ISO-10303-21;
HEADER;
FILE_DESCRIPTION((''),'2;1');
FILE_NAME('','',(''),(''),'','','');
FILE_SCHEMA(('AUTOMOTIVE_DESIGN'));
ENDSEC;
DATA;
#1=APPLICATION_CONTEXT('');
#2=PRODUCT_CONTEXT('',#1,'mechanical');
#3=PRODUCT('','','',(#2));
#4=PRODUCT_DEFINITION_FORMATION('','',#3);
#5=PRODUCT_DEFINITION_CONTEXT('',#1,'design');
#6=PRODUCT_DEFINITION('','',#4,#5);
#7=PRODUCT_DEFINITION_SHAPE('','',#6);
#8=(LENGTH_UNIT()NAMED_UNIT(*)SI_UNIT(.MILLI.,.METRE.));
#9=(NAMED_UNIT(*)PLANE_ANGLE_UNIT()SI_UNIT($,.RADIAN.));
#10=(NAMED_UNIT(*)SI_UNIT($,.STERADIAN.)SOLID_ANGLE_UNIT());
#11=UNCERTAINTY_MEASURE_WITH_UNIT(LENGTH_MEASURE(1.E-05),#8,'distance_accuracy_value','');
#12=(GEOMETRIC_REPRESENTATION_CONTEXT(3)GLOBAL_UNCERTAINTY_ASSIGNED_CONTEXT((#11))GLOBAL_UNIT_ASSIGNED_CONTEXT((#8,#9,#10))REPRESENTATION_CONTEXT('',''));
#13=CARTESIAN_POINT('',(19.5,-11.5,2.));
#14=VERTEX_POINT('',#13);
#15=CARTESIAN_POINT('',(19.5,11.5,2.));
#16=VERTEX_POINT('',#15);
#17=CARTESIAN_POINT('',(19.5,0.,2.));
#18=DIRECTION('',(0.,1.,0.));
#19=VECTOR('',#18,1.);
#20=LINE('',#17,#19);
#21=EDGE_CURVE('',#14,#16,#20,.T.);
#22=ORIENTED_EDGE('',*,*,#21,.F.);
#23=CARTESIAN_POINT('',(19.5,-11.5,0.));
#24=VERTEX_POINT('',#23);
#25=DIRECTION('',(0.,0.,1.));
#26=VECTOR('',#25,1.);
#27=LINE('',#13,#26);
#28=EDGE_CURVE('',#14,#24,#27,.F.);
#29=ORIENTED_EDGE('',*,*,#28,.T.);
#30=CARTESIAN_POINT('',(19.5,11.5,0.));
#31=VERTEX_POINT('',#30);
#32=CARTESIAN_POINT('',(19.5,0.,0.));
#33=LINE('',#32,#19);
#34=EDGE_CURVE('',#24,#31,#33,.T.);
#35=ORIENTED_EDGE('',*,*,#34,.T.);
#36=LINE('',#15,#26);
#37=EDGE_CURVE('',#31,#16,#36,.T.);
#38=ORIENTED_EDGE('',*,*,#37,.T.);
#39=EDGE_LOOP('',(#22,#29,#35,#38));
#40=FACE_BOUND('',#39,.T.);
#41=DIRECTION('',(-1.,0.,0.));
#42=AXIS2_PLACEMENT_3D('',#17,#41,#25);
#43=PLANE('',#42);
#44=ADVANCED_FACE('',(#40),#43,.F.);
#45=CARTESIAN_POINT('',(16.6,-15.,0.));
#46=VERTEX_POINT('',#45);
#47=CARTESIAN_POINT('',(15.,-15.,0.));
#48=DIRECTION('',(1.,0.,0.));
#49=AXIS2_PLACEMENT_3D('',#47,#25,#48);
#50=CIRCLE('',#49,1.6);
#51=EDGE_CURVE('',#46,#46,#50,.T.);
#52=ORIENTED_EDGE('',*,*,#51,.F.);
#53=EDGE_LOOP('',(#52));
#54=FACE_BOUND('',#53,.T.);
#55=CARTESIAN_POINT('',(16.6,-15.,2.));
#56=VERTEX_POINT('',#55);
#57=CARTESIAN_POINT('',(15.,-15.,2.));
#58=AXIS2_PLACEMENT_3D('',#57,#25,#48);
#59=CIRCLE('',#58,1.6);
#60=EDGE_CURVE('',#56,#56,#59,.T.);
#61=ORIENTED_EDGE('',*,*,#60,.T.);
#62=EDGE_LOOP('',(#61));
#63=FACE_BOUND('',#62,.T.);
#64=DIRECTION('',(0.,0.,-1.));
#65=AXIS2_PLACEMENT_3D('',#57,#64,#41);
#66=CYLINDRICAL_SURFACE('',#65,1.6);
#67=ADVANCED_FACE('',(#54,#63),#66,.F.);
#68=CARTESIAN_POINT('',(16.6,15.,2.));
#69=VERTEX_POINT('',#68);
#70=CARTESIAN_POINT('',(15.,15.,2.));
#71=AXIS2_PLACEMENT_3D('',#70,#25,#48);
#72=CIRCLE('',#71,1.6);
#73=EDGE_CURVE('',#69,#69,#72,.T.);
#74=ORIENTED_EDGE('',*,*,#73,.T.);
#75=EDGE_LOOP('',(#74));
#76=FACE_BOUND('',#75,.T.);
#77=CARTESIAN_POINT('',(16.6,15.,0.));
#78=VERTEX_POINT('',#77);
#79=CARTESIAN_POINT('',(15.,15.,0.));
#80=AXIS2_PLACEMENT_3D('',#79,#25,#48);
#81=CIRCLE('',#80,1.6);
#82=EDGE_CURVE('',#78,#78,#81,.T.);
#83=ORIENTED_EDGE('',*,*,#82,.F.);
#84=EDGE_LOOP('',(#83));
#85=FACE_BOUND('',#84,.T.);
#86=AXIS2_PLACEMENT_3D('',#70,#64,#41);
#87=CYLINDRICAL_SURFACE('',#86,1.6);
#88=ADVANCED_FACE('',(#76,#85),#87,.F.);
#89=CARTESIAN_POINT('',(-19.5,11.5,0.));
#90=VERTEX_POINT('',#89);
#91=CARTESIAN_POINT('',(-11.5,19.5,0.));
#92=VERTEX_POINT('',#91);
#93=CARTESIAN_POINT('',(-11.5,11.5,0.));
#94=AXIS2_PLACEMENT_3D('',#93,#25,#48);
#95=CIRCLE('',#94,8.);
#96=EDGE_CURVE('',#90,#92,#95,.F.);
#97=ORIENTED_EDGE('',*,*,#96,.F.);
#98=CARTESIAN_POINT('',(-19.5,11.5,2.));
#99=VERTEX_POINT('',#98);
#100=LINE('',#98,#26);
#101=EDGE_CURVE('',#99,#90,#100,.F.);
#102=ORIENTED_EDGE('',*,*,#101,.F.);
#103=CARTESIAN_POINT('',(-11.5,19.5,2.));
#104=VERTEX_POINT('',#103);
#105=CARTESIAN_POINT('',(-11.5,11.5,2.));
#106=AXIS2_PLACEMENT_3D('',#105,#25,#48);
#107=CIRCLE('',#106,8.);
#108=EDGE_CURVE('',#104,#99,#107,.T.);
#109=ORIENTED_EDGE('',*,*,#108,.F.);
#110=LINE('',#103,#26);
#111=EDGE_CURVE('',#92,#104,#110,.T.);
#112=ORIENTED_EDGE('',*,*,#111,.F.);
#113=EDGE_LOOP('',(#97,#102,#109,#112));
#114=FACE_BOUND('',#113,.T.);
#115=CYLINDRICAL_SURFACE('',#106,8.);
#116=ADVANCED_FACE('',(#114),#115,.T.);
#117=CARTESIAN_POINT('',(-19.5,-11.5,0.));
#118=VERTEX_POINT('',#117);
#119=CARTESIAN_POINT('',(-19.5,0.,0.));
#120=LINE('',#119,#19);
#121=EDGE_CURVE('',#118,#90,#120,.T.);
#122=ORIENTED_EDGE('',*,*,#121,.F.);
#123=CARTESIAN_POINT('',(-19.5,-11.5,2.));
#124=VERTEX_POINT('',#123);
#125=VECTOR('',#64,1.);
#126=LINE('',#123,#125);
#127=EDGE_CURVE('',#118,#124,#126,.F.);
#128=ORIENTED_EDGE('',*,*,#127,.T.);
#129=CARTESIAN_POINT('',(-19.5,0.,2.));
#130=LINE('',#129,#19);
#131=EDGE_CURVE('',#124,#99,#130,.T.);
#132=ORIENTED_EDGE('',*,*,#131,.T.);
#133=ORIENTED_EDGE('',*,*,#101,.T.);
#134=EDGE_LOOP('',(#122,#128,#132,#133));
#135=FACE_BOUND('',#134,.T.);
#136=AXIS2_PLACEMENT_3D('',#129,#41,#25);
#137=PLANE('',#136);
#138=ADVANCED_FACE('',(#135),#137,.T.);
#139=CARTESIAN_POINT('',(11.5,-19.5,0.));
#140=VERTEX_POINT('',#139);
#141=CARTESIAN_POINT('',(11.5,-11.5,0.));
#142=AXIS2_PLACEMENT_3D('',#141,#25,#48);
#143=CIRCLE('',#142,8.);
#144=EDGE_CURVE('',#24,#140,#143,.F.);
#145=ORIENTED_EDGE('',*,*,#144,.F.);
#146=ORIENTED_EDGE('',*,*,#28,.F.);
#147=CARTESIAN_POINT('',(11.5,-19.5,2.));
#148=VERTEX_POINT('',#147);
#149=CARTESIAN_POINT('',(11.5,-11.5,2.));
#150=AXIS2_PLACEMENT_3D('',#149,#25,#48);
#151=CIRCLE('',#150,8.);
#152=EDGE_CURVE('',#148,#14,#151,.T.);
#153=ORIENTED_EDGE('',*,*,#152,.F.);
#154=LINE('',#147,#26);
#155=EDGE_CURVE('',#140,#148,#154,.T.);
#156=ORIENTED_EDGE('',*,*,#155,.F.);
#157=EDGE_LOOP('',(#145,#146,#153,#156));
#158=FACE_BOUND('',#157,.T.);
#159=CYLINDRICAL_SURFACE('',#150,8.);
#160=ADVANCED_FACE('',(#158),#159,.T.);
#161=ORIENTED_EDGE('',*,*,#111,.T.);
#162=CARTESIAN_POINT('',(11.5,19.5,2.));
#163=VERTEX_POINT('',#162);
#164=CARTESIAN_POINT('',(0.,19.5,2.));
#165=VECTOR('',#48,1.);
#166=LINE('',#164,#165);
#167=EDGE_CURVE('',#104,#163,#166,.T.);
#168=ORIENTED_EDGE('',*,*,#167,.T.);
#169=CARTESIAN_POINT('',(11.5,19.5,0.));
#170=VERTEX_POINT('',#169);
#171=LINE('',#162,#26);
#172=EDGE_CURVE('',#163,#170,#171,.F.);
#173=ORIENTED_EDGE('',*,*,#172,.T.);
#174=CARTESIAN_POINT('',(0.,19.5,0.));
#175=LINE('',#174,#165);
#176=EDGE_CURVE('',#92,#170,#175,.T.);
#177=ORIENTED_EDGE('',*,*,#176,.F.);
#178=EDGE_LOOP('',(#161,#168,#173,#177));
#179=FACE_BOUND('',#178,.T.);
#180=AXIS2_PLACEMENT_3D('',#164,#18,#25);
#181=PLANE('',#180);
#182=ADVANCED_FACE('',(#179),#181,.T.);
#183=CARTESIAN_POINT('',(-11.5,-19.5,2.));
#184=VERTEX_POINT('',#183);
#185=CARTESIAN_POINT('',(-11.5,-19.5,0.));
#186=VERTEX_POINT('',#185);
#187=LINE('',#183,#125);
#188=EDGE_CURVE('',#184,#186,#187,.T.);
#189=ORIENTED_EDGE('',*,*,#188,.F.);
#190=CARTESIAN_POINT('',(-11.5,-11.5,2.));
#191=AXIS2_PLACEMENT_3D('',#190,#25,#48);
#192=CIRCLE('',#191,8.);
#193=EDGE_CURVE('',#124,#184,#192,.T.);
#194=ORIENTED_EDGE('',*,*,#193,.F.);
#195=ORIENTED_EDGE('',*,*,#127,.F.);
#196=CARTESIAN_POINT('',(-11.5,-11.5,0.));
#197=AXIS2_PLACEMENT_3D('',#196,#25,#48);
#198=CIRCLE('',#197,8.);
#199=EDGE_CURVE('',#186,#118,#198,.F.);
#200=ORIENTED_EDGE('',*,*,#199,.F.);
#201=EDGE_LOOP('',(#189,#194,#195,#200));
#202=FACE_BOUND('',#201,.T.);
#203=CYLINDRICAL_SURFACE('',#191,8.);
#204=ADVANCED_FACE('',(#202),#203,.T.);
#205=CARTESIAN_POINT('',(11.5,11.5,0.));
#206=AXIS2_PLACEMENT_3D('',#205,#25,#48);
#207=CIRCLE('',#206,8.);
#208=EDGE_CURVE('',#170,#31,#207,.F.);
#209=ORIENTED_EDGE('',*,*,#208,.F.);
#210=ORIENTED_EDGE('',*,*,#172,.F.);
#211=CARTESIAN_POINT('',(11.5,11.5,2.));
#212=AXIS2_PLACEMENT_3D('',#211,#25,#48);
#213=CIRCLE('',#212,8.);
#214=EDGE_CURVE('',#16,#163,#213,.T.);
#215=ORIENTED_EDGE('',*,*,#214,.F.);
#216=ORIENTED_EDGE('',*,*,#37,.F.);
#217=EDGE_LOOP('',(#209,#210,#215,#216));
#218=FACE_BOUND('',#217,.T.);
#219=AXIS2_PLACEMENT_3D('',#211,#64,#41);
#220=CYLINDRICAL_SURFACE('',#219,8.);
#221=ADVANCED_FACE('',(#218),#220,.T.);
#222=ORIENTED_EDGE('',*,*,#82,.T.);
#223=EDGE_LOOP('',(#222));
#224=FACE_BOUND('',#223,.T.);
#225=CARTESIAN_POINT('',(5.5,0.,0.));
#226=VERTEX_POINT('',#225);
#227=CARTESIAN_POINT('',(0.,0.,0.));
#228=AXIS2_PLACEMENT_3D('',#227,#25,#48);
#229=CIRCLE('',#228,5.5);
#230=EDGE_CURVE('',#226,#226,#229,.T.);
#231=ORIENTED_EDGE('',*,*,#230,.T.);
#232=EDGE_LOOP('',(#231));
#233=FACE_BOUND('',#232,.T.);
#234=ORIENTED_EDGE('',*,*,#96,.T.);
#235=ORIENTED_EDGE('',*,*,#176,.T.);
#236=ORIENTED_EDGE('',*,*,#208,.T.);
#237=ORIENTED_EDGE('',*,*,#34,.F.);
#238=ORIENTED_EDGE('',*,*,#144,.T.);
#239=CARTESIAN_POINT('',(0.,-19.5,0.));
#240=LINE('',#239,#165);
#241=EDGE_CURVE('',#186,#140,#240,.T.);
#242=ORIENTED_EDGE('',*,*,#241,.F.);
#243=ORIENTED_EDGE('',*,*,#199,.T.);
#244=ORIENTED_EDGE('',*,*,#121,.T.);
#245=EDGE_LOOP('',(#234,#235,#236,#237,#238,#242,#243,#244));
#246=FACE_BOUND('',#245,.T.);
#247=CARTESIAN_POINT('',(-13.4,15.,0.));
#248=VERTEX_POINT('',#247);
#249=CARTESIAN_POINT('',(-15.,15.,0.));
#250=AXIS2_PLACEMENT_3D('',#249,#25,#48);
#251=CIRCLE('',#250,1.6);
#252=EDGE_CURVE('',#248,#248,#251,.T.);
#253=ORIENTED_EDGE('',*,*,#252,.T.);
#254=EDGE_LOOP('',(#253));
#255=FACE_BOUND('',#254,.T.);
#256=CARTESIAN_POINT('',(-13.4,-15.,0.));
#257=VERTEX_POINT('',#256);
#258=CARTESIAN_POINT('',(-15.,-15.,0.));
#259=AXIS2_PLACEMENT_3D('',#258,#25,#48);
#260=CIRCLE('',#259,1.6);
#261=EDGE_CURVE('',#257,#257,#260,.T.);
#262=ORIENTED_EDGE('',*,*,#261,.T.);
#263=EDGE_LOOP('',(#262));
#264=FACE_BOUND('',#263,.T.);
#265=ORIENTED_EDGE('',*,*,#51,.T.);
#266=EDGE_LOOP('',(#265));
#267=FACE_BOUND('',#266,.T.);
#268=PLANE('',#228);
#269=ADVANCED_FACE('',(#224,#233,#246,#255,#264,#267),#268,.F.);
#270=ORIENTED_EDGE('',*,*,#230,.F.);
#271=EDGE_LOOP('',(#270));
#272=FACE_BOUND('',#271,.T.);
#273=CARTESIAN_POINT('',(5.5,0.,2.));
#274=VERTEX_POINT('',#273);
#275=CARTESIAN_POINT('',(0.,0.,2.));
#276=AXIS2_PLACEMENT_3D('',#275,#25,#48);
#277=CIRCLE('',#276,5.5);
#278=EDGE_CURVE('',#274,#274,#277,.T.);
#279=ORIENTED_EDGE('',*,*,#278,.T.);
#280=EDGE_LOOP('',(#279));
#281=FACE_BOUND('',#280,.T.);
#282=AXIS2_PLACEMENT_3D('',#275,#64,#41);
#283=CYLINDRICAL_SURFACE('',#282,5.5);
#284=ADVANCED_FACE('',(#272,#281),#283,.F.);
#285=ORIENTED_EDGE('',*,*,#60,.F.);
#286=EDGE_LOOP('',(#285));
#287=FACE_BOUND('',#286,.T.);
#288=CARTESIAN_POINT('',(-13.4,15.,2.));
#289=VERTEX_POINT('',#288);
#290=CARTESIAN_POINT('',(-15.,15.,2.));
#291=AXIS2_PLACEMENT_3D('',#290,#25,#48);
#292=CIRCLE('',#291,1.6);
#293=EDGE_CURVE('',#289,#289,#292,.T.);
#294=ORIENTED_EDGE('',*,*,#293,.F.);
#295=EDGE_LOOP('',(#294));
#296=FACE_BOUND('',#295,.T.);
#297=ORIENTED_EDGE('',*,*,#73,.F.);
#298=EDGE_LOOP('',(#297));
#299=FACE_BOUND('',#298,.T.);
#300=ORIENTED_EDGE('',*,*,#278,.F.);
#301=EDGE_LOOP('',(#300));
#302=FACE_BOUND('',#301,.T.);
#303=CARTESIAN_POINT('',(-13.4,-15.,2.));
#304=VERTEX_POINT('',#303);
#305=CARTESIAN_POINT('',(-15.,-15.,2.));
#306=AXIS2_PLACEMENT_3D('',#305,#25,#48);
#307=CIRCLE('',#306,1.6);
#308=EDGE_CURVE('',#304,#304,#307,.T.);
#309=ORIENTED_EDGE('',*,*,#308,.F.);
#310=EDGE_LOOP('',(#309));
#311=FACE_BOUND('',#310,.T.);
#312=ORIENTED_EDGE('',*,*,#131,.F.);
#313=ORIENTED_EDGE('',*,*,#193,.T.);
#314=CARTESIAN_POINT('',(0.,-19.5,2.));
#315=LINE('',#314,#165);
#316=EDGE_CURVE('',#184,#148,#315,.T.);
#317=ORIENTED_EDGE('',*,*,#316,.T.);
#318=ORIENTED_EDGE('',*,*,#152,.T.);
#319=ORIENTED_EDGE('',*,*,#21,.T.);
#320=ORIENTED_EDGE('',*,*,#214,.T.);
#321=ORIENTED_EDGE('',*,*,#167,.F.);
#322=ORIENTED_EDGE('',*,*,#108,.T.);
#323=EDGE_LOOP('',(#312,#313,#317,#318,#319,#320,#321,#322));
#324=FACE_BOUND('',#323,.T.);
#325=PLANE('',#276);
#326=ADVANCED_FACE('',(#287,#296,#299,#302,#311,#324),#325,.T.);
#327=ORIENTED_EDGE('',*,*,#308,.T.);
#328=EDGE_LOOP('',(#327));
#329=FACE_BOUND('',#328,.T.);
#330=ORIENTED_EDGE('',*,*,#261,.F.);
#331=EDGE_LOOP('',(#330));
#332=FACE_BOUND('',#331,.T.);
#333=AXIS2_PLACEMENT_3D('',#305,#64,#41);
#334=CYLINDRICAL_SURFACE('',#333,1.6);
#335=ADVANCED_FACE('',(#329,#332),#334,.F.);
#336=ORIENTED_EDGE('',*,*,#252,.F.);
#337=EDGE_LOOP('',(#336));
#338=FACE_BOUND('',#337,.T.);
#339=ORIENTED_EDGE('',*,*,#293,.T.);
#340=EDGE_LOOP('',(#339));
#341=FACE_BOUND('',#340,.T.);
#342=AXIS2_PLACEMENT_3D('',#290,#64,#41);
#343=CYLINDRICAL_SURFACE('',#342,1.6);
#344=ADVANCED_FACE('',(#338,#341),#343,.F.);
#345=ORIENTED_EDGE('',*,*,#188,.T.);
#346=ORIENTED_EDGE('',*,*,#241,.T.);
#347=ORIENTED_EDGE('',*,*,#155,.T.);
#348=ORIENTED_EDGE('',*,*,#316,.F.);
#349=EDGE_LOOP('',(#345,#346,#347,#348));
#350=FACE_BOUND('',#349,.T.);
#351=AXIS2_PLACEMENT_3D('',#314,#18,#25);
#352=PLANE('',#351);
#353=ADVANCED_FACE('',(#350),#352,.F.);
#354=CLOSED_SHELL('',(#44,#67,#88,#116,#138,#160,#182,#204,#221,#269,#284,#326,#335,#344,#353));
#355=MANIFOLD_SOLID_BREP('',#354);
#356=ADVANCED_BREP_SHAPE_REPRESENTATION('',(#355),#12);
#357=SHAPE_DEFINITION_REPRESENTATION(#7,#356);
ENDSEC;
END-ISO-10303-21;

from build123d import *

# Parameters (mm, degrees)
SKETCH_1_R      = 1.6
SKETCH_1_R_2    = 5.5
EXTRUDE_2_DEPTH = 2
FILLET_6_R      = 8
FILLET_7_R      = 8
FILLET_8_R      = 8
FILLET_9_R      = 8


with BuildPart() as part:
    # 草图1 → 凸台-拉伸2 (new body)
    # profile 1 of 2: a face of its own
    with BuildSketch(Plane.XY):
        with BuildLine():
            Line((-16.6, 15), (-19.5, 15))
            Line((-19.5, 15), (-19.5, -19.5))
            Line((-19.5, -19.5), (19.5, -19.5))
            Line((19.5, -19.5), (19.5, 19.5))
            Line((19.5, 19.5), (-15, 19.5))
            Line((-15, 19.5), (-15, 16.6))
            ThreePointArc((-15, 16.6), (-13.86862915, 16.13137085), (-13.4, 15))
            ThreePointArc((-13.4, 15), (-15, 13.4), (-16.6, 15))
        make_face()
        with Locations((-15, -15)):
            Circle(SKETCH_1_R, mode=Mode.SUBTRACT)
        with Locations((15, -15)):
            Circle(SKETCH_1_R, mode=Mode.SUBTRACT)
        Circle(SKETCH_1_R_2, mode=Mode.SUBTRACT)
        with Locations((15, 15)):
            Circle(SKETCH_1_R, mode=Mode.SUBTRACT)
    # profile 2 of 2: a face of its own
    with BuildSketch(Plane.XY):
        with BuildLine():
            Line((-19.5, 19.5), (-19.5, 15))
            Line((-19.5, 15), (-16.6, 15))
            ThreePointArc((-16.6, 15), (-16.13137085, 16.13137085), (-15, 16.6))
            Line((-15, 16.6), (-15, 19.5))
            Line((-15, 19.5), (-19.5, 19.5))
        make_face()
    extrude(amount=EXTRUDE_2_DEPTH)

    # 圆角6
    fillet_6_edges = [part.edges().sort_by_distance(p)[0] for p in [
        (-19.5, 19.5, 1),
    ]]
    fillet(fillet_6_edges, radius=FILLET_6_R)

    # 圆角7
    fillet_7_edges = [part.edges().sort_by_distance(p)[0] for p in [
        (19.5, 19.5, 1),
    ]]
    fillet(fillet_7_edges, radius=FILLET_7_R)

    # 圆角8
    fillet_8_edges = [part.edges().sort_by_distance(p)[0] for p in [
        (-19.5, -19.5, 1),
    ]]
    fillet(fillet_8_edges, radius=FILLET_8_R)

    # 圆角9
    fillet_9_edges = [part.edges().sort_by_distance(p)[0] for p in [
        (19.5, -19.5, 1),
    ]]
    fillet(fillet_9_edges, radius=FILLET_9_R)


solid = part.part
